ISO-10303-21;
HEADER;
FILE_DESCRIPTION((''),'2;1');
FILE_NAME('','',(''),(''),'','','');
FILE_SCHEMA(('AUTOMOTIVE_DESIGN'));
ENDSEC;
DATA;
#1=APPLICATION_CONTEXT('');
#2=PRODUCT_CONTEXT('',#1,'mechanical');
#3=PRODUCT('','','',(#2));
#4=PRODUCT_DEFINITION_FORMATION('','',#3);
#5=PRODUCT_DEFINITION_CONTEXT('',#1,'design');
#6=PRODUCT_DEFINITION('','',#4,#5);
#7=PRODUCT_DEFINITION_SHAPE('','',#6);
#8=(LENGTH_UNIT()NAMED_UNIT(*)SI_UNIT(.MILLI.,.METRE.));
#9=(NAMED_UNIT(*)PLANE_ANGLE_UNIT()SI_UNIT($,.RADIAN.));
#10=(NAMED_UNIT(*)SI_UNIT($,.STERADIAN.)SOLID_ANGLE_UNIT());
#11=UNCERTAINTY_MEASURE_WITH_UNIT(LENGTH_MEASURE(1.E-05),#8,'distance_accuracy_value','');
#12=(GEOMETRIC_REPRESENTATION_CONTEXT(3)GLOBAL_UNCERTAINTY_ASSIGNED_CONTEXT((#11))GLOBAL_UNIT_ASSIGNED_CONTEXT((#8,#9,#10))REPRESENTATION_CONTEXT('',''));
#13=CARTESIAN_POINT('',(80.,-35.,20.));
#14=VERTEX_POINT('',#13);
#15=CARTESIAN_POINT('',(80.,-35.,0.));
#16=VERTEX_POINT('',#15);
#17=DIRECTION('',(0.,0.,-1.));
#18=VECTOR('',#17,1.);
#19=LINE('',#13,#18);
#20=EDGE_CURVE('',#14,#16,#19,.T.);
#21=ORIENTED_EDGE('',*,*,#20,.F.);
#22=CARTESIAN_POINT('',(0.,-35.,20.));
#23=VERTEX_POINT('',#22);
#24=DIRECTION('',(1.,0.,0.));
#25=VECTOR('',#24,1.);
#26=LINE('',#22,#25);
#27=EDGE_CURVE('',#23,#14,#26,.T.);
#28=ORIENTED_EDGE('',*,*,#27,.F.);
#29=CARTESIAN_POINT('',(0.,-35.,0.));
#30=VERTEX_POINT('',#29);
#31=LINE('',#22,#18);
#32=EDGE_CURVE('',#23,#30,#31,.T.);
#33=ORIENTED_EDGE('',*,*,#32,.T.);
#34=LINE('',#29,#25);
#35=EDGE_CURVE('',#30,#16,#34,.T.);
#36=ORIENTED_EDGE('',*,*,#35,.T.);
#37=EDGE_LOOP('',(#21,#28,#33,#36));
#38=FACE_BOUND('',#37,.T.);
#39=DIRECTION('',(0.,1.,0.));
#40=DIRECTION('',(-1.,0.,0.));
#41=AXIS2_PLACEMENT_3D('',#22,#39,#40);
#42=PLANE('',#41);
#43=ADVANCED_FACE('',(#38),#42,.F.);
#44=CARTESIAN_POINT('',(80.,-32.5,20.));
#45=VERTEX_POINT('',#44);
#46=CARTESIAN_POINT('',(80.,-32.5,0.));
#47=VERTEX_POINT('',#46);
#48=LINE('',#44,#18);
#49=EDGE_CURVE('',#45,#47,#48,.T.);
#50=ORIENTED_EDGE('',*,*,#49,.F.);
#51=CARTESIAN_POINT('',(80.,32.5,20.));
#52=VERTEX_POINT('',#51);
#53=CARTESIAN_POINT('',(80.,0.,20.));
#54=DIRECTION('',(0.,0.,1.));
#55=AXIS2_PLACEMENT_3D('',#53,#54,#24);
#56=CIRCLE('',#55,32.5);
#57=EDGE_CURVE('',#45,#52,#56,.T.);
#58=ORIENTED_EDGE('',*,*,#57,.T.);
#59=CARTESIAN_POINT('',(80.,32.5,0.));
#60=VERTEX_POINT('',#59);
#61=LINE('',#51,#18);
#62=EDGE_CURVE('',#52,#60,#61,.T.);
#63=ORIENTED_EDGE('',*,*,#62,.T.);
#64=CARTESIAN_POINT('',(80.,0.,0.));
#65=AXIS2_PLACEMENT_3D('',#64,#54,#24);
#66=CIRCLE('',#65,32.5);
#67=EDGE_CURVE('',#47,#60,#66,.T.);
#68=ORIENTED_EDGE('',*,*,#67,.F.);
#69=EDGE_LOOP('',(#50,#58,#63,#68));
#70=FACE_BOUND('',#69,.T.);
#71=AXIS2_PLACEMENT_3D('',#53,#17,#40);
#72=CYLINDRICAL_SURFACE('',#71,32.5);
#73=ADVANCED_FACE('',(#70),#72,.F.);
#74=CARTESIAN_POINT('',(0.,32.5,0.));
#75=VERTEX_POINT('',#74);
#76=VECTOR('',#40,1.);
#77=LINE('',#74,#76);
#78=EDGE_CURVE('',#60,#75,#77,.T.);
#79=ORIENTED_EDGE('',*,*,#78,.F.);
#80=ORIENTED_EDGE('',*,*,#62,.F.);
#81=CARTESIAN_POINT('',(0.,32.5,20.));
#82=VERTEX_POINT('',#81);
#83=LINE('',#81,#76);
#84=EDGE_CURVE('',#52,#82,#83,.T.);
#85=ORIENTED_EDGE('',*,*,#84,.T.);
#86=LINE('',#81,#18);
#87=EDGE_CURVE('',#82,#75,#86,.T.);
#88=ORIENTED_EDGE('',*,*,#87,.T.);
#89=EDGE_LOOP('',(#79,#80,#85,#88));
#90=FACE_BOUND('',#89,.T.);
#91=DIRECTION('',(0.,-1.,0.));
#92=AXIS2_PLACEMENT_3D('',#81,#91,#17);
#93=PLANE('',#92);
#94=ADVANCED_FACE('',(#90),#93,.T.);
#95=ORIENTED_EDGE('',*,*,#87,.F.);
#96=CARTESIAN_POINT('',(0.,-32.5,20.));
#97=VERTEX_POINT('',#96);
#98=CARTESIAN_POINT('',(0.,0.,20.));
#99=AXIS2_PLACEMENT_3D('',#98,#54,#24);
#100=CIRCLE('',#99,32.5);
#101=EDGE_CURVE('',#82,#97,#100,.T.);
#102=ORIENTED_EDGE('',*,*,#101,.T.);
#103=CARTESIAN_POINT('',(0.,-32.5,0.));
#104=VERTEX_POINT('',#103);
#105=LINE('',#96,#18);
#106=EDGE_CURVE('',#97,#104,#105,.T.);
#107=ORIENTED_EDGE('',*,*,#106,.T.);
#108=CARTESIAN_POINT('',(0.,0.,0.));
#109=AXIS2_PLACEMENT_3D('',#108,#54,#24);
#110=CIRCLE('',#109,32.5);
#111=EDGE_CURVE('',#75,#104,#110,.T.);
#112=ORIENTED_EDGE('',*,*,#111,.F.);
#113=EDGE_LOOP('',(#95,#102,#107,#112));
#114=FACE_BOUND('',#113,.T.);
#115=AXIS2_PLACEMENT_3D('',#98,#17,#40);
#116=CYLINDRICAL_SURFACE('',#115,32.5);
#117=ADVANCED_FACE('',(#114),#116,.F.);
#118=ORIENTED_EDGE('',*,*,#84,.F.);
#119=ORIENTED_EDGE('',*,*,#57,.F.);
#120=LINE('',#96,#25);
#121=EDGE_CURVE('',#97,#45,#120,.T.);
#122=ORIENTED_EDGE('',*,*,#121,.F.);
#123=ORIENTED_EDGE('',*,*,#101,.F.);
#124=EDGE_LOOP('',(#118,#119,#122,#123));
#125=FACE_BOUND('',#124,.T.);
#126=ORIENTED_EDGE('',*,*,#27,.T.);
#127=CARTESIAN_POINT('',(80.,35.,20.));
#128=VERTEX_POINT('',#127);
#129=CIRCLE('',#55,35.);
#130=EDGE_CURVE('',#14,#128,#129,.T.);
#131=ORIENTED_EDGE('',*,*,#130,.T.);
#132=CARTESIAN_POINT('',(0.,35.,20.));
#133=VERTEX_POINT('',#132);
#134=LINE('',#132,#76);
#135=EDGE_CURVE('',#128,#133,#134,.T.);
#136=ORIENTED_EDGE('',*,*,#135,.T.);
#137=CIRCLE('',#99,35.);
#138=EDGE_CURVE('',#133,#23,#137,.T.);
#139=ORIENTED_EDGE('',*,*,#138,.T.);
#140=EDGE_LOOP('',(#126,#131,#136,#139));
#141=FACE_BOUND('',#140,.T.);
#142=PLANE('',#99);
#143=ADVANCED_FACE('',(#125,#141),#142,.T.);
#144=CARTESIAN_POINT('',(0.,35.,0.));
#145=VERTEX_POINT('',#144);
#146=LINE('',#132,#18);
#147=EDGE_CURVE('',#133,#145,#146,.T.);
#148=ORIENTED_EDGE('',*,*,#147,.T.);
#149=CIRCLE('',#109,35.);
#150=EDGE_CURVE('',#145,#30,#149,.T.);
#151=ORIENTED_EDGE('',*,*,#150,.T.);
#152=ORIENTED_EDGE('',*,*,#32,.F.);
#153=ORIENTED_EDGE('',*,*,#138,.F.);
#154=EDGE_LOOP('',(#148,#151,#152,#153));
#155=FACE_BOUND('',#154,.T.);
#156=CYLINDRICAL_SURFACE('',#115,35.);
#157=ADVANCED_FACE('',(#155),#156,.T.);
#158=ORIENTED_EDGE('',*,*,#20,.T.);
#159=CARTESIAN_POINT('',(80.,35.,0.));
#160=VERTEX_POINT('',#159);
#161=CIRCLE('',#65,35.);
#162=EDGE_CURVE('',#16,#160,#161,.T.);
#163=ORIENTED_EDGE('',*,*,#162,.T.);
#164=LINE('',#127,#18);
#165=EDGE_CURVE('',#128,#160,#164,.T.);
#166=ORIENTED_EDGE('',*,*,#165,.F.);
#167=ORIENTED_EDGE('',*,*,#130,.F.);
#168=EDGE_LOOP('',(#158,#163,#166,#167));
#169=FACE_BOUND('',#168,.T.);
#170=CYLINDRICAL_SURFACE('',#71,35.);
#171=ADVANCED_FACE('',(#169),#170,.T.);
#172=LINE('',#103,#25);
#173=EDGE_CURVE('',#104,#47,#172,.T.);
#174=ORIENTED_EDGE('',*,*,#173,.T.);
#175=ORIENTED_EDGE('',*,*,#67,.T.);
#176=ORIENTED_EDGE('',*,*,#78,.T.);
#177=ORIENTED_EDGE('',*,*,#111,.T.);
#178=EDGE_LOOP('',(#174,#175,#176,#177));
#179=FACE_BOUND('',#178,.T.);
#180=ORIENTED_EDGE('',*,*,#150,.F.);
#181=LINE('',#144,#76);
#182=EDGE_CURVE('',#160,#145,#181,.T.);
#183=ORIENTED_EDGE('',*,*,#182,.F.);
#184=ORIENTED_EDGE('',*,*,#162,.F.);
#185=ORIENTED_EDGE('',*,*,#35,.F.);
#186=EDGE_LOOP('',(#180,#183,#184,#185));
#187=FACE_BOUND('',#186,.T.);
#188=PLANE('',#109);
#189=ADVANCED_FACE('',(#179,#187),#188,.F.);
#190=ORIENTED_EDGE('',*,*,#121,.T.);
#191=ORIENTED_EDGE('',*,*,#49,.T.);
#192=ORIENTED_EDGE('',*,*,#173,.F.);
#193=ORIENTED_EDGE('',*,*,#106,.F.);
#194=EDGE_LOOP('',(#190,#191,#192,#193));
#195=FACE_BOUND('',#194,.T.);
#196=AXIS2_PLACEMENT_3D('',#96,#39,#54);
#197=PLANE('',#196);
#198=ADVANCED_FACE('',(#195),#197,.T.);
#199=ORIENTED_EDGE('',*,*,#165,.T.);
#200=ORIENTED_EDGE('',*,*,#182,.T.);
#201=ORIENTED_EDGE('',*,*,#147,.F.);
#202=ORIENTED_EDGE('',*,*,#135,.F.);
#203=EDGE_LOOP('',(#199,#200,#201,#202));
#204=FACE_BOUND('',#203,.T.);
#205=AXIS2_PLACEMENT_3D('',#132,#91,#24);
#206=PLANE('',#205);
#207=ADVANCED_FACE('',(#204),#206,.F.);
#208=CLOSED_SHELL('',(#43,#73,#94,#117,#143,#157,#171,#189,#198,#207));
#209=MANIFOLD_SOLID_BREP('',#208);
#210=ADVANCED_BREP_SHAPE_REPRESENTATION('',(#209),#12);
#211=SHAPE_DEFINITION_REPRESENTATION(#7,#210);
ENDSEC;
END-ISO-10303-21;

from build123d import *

# Parameters (mm, degrees)
BOSS_EXTRU_1_DEPTH = 20


with BuildPart() as part:
    # Esquisse1 → Boss.-Extru.1 (new body)
    with BuildSketch(Plane.XY):
        with BuildLine():
            Line((0, 35), (80, 35))
            ThreePointArc((80, 35), (115, 0), (80, -35))
            Line((80, -35), (0, -35))
            ThreePointArc((0, -35), (-35, 0), (0, 35))
        make_face()
        with BuildLine():
            Line((0, 32.5), (80, 32.5))
            ThreePointArc((80, 32.5), (112.5, 0), (80, -32.5))
            Line((80, -32.5), (0, -32.5))
            ThreePointArc((0, -32.5), (-32.5, 0), (0, 32.5))
        make_face(mode=Mode.SUBTRACT)
    extrude(amount=BOSS_EXTRU_1_DEPTH)


solid = part.part
